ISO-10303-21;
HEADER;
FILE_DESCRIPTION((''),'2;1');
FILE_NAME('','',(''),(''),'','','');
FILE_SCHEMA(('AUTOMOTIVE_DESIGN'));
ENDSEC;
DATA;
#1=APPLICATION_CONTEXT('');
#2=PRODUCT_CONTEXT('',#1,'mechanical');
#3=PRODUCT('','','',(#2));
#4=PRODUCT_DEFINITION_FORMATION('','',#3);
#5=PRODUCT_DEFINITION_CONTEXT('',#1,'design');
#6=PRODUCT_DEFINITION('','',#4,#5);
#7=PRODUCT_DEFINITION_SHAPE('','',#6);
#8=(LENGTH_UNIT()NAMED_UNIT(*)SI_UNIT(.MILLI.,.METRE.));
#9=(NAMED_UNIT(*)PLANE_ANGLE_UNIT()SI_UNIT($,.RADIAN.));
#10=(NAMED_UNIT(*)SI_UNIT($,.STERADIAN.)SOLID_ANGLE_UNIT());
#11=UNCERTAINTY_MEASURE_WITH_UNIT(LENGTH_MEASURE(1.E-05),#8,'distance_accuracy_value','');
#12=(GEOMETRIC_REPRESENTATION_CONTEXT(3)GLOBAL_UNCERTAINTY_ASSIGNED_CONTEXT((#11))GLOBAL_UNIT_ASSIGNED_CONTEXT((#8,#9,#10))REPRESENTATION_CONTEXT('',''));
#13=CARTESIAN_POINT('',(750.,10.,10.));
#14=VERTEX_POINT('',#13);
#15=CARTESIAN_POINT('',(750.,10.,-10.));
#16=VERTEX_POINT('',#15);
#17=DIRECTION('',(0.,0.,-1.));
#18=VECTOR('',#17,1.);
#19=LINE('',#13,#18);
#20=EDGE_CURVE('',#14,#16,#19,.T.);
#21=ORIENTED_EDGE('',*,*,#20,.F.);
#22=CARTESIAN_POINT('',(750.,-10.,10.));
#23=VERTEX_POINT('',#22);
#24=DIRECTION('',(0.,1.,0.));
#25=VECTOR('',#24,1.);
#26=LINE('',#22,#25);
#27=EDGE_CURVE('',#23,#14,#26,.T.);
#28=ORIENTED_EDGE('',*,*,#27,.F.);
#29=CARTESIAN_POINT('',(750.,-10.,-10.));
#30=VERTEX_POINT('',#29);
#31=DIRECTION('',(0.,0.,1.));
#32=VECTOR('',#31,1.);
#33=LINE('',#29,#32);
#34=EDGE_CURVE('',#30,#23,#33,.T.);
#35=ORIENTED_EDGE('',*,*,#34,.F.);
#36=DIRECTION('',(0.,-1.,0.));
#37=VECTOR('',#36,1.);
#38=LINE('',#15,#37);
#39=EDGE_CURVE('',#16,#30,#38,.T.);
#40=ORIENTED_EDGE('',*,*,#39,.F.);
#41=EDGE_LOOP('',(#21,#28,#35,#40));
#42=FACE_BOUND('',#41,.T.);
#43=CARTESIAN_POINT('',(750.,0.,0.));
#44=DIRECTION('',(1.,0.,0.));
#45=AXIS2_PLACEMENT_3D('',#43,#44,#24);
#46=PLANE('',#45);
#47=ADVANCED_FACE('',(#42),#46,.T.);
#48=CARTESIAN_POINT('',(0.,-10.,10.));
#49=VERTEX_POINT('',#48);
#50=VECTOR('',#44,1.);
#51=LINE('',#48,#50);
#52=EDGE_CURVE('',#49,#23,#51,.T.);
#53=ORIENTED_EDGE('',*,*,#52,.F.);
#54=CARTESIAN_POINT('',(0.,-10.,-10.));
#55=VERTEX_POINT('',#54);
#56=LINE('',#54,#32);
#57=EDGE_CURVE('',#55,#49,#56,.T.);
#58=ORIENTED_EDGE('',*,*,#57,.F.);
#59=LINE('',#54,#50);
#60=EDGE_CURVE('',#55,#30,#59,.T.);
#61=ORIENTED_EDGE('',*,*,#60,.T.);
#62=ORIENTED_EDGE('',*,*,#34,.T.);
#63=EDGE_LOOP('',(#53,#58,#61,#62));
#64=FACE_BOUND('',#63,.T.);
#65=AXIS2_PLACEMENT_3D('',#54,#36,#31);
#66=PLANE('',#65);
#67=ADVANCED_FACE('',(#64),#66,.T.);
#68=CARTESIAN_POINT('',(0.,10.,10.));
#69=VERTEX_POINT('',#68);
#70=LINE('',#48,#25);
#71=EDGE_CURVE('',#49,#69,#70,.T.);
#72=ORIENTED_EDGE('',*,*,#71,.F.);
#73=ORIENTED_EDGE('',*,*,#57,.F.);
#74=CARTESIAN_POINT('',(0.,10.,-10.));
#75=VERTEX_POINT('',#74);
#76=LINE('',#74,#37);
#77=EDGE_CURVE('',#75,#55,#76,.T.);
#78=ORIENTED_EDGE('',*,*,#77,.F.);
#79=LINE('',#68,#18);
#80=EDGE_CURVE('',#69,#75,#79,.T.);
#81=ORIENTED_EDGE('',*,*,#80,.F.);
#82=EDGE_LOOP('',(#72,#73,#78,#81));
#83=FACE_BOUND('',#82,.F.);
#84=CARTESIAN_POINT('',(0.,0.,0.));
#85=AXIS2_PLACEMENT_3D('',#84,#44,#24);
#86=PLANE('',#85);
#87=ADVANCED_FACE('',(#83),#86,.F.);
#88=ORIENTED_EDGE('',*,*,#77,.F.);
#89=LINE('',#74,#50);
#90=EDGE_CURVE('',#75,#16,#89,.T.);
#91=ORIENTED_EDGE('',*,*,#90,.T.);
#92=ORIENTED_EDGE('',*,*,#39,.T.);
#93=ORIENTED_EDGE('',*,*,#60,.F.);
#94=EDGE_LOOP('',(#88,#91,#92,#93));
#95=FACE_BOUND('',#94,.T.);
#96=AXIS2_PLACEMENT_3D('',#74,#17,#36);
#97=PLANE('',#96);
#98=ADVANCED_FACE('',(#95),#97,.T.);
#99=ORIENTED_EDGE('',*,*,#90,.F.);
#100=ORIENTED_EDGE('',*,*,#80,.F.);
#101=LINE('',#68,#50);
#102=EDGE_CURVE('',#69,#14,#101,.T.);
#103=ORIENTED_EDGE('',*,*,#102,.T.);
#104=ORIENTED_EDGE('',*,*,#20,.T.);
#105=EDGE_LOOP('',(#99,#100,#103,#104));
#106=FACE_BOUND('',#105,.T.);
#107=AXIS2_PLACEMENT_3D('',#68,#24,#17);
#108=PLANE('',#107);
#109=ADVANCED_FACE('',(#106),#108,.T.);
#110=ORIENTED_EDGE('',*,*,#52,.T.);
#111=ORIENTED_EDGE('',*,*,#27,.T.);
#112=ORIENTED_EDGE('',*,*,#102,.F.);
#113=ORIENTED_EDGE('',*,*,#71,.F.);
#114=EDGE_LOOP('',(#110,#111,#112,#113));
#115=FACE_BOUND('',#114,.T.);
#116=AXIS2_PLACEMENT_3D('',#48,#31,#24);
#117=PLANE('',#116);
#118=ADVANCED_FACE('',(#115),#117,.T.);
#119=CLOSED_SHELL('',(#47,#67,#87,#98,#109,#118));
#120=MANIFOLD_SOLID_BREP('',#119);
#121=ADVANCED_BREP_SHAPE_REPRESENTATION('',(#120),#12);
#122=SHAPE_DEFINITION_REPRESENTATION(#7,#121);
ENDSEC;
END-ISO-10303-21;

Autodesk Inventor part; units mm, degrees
ref_plane "YZ Plane" through (0, 0, 0) normal (1, 0, 0) x (0, 1, 0)
ref_plane "XZ Plane" through (0, 0, 0) normal (0, 1, 0) x (-1, 0, 0)
ref_plane "XY Plane" through (0, 0, 0) normal (0, 0, 1) x (1, 0, 0)
sketch "草图1" plane through (0, 0, 0) normal (1, 0, 0) x (0, 1, 0)
  line L0 (10, -10) -> (-10, -10)
  line L1 (-10, -10) -> (-10, 10)
  line L2 (-10, 10) -> (10, 10)
  line L3 (10, 10) -> (10, -10)
  line L4 (10, -10) -> (-10, 10) construction
  line L5 (-10, -10) -> (10, 10) construction
  point P0 (0, 0)
  dimension "d0" = 20
  dimension "d1" = 20
extrude "拉伸1" add sketch "草图1" along normal blind 750
properties part number "new heating elements"
